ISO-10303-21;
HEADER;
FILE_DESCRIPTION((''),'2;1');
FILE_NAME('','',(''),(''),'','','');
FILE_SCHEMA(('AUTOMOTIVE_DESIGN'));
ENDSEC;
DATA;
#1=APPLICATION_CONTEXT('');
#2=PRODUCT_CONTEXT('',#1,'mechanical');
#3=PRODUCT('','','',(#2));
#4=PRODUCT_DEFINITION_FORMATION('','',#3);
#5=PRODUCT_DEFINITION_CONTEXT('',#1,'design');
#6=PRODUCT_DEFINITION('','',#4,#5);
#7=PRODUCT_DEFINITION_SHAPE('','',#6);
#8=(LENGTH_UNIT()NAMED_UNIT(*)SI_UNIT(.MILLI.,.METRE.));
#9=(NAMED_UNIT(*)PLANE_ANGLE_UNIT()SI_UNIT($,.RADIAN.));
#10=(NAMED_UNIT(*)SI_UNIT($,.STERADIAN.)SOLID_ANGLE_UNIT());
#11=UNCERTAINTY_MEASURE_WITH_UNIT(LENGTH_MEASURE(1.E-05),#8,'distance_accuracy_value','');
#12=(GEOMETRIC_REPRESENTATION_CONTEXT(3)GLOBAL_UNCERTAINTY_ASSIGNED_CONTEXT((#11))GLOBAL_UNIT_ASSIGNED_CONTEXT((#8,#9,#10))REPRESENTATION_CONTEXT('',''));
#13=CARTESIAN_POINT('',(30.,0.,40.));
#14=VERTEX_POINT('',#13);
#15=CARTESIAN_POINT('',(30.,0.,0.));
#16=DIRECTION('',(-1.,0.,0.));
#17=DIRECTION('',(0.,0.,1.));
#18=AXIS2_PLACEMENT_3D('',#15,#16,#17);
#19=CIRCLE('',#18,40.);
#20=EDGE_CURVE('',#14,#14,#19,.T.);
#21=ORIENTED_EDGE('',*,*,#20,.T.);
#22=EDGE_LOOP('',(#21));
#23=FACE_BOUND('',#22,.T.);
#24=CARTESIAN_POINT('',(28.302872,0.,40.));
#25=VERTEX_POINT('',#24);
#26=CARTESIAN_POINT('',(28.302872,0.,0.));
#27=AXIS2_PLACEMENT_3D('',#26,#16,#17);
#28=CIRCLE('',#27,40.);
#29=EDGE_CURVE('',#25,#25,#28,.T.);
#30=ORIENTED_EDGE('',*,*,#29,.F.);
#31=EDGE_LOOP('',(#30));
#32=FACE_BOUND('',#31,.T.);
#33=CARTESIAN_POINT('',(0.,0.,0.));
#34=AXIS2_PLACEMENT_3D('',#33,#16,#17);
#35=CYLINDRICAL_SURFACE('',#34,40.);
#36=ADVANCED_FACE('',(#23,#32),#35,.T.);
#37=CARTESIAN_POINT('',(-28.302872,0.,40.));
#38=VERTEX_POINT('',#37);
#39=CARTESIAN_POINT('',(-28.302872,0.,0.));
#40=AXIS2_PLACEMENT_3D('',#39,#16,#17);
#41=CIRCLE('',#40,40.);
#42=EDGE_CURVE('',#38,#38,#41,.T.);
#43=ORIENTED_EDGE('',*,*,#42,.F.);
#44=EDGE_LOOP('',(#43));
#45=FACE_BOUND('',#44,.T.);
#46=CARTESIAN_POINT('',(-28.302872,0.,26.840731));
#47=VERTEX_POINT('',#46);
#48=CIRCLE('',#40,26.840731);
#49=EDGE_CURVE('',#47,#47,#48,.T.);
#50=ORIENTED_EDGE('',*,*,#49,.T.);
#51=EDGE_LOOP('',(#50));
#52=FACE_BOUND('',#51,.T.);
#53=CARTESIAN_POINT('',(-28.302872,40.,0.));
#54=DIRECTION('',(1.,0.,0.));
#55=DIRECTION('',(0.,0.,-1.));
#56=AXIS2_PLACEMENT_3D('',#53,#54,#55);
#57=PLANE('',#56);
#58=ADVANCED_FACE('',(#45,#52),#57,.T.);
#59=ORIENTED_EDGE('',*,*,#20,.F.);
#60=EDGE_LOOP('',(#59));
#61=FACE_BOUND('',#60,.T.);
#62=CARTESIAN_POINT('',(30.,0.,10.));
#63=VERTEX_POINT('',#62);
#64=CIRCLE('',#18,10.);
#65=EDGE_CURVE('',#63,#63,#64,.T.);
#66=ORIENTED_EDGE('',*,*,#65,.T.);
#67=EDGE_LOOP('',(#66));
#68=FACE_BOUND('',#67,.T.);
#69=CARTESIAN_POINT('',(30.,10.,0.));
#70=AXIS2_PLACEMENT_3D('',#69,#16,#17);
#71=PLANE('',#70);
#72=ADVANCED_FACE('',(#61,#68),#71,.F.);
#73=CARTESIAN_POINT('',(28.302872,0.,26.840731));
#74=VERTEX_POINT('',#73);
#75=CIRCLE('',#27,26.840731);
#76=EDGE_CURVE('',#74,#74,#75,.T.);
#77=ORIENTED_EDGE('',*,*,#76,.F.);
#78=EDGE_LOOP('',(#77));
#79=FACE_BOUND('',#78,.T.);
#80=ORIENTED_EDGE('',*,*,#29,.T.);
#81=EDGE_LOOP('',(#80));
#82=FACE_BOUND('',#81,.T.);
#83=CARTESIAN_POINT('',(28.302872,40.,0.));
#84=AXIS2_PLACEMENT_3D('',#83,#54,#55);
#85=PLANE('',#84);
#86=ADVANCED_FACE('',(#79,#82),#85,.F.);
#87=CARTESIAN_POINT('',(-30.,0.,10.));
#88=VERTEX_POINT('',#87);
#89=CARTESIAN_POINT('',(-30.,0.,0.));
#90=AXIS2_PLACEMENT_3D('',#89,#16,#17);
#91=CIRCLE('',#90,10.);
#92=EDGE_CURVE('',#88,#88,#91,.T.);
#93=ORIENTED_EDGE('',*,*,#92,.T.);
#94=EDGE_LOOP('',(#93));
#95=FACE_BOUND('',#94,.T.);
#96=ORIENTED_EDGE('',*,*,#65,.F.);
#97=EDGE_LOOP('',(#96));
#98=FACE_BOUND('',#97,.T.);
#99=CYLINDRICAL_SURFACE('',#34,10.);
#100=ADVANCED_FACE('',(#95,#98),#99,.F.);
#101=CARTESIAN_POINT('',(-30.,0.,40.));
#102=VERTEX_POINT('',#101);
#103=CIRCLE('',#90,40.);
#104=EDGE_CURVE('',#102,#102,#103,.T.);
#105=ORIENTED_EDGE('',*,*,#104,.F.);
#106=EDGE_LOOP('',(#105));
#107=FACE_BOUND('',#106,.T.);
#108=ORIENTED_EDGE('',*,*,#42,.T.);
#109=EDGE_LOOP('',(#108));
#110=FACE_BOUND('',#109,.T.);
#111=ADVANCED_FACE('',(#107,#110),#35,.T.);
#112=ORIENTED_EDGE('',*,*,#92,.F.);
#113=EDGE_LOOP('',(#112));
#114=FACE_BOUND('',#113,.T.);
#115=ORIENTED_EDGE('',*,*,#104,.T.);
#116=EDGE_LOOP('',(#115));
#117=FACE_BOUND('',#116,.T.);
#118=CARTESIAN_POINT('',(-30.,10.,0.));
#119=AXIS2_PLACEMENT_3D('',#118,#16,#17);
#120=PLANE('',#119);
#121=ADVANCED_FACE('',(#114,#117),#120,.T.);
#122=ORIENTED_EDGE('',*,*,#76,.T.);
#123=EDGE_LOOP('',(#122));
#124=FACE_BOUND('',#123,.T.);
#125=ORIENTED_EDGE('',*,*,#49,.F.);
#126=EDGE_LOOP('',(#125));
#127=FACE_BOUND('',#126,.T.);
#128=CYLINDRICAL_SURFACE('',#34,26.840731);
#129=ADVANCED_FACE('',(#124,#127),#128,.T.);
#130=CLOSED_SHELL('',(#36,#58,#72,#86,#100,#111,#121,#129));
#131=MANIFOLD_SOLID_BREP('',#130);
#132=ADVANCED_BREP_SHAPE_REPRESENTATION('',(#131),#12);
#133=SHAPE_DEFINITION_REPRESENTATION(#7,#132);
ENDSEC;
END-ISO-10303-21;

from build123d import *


with BuildPart() as part:
    # Sketch1 → Revolve1 (revolve)
    with BuildSketch(Plane.XY, mode=Mode.PRIVATE) as revolve1_sk:
        Polygon((-30, 10), (30, 10), (30, 40), (28.302872063, 40), (28.302872063, 26.84073107), (-28.302872063, 26.84073107), (-28.302872063, 40), (-30, 40), align=None)
    revolve(revolve1_sk.sketch.rotate(Axis((0, 0, 0), (1, 0, 0)), 90), axis=Axis((0, 0, 0), (1, 0, 0)))


solid = part.part
